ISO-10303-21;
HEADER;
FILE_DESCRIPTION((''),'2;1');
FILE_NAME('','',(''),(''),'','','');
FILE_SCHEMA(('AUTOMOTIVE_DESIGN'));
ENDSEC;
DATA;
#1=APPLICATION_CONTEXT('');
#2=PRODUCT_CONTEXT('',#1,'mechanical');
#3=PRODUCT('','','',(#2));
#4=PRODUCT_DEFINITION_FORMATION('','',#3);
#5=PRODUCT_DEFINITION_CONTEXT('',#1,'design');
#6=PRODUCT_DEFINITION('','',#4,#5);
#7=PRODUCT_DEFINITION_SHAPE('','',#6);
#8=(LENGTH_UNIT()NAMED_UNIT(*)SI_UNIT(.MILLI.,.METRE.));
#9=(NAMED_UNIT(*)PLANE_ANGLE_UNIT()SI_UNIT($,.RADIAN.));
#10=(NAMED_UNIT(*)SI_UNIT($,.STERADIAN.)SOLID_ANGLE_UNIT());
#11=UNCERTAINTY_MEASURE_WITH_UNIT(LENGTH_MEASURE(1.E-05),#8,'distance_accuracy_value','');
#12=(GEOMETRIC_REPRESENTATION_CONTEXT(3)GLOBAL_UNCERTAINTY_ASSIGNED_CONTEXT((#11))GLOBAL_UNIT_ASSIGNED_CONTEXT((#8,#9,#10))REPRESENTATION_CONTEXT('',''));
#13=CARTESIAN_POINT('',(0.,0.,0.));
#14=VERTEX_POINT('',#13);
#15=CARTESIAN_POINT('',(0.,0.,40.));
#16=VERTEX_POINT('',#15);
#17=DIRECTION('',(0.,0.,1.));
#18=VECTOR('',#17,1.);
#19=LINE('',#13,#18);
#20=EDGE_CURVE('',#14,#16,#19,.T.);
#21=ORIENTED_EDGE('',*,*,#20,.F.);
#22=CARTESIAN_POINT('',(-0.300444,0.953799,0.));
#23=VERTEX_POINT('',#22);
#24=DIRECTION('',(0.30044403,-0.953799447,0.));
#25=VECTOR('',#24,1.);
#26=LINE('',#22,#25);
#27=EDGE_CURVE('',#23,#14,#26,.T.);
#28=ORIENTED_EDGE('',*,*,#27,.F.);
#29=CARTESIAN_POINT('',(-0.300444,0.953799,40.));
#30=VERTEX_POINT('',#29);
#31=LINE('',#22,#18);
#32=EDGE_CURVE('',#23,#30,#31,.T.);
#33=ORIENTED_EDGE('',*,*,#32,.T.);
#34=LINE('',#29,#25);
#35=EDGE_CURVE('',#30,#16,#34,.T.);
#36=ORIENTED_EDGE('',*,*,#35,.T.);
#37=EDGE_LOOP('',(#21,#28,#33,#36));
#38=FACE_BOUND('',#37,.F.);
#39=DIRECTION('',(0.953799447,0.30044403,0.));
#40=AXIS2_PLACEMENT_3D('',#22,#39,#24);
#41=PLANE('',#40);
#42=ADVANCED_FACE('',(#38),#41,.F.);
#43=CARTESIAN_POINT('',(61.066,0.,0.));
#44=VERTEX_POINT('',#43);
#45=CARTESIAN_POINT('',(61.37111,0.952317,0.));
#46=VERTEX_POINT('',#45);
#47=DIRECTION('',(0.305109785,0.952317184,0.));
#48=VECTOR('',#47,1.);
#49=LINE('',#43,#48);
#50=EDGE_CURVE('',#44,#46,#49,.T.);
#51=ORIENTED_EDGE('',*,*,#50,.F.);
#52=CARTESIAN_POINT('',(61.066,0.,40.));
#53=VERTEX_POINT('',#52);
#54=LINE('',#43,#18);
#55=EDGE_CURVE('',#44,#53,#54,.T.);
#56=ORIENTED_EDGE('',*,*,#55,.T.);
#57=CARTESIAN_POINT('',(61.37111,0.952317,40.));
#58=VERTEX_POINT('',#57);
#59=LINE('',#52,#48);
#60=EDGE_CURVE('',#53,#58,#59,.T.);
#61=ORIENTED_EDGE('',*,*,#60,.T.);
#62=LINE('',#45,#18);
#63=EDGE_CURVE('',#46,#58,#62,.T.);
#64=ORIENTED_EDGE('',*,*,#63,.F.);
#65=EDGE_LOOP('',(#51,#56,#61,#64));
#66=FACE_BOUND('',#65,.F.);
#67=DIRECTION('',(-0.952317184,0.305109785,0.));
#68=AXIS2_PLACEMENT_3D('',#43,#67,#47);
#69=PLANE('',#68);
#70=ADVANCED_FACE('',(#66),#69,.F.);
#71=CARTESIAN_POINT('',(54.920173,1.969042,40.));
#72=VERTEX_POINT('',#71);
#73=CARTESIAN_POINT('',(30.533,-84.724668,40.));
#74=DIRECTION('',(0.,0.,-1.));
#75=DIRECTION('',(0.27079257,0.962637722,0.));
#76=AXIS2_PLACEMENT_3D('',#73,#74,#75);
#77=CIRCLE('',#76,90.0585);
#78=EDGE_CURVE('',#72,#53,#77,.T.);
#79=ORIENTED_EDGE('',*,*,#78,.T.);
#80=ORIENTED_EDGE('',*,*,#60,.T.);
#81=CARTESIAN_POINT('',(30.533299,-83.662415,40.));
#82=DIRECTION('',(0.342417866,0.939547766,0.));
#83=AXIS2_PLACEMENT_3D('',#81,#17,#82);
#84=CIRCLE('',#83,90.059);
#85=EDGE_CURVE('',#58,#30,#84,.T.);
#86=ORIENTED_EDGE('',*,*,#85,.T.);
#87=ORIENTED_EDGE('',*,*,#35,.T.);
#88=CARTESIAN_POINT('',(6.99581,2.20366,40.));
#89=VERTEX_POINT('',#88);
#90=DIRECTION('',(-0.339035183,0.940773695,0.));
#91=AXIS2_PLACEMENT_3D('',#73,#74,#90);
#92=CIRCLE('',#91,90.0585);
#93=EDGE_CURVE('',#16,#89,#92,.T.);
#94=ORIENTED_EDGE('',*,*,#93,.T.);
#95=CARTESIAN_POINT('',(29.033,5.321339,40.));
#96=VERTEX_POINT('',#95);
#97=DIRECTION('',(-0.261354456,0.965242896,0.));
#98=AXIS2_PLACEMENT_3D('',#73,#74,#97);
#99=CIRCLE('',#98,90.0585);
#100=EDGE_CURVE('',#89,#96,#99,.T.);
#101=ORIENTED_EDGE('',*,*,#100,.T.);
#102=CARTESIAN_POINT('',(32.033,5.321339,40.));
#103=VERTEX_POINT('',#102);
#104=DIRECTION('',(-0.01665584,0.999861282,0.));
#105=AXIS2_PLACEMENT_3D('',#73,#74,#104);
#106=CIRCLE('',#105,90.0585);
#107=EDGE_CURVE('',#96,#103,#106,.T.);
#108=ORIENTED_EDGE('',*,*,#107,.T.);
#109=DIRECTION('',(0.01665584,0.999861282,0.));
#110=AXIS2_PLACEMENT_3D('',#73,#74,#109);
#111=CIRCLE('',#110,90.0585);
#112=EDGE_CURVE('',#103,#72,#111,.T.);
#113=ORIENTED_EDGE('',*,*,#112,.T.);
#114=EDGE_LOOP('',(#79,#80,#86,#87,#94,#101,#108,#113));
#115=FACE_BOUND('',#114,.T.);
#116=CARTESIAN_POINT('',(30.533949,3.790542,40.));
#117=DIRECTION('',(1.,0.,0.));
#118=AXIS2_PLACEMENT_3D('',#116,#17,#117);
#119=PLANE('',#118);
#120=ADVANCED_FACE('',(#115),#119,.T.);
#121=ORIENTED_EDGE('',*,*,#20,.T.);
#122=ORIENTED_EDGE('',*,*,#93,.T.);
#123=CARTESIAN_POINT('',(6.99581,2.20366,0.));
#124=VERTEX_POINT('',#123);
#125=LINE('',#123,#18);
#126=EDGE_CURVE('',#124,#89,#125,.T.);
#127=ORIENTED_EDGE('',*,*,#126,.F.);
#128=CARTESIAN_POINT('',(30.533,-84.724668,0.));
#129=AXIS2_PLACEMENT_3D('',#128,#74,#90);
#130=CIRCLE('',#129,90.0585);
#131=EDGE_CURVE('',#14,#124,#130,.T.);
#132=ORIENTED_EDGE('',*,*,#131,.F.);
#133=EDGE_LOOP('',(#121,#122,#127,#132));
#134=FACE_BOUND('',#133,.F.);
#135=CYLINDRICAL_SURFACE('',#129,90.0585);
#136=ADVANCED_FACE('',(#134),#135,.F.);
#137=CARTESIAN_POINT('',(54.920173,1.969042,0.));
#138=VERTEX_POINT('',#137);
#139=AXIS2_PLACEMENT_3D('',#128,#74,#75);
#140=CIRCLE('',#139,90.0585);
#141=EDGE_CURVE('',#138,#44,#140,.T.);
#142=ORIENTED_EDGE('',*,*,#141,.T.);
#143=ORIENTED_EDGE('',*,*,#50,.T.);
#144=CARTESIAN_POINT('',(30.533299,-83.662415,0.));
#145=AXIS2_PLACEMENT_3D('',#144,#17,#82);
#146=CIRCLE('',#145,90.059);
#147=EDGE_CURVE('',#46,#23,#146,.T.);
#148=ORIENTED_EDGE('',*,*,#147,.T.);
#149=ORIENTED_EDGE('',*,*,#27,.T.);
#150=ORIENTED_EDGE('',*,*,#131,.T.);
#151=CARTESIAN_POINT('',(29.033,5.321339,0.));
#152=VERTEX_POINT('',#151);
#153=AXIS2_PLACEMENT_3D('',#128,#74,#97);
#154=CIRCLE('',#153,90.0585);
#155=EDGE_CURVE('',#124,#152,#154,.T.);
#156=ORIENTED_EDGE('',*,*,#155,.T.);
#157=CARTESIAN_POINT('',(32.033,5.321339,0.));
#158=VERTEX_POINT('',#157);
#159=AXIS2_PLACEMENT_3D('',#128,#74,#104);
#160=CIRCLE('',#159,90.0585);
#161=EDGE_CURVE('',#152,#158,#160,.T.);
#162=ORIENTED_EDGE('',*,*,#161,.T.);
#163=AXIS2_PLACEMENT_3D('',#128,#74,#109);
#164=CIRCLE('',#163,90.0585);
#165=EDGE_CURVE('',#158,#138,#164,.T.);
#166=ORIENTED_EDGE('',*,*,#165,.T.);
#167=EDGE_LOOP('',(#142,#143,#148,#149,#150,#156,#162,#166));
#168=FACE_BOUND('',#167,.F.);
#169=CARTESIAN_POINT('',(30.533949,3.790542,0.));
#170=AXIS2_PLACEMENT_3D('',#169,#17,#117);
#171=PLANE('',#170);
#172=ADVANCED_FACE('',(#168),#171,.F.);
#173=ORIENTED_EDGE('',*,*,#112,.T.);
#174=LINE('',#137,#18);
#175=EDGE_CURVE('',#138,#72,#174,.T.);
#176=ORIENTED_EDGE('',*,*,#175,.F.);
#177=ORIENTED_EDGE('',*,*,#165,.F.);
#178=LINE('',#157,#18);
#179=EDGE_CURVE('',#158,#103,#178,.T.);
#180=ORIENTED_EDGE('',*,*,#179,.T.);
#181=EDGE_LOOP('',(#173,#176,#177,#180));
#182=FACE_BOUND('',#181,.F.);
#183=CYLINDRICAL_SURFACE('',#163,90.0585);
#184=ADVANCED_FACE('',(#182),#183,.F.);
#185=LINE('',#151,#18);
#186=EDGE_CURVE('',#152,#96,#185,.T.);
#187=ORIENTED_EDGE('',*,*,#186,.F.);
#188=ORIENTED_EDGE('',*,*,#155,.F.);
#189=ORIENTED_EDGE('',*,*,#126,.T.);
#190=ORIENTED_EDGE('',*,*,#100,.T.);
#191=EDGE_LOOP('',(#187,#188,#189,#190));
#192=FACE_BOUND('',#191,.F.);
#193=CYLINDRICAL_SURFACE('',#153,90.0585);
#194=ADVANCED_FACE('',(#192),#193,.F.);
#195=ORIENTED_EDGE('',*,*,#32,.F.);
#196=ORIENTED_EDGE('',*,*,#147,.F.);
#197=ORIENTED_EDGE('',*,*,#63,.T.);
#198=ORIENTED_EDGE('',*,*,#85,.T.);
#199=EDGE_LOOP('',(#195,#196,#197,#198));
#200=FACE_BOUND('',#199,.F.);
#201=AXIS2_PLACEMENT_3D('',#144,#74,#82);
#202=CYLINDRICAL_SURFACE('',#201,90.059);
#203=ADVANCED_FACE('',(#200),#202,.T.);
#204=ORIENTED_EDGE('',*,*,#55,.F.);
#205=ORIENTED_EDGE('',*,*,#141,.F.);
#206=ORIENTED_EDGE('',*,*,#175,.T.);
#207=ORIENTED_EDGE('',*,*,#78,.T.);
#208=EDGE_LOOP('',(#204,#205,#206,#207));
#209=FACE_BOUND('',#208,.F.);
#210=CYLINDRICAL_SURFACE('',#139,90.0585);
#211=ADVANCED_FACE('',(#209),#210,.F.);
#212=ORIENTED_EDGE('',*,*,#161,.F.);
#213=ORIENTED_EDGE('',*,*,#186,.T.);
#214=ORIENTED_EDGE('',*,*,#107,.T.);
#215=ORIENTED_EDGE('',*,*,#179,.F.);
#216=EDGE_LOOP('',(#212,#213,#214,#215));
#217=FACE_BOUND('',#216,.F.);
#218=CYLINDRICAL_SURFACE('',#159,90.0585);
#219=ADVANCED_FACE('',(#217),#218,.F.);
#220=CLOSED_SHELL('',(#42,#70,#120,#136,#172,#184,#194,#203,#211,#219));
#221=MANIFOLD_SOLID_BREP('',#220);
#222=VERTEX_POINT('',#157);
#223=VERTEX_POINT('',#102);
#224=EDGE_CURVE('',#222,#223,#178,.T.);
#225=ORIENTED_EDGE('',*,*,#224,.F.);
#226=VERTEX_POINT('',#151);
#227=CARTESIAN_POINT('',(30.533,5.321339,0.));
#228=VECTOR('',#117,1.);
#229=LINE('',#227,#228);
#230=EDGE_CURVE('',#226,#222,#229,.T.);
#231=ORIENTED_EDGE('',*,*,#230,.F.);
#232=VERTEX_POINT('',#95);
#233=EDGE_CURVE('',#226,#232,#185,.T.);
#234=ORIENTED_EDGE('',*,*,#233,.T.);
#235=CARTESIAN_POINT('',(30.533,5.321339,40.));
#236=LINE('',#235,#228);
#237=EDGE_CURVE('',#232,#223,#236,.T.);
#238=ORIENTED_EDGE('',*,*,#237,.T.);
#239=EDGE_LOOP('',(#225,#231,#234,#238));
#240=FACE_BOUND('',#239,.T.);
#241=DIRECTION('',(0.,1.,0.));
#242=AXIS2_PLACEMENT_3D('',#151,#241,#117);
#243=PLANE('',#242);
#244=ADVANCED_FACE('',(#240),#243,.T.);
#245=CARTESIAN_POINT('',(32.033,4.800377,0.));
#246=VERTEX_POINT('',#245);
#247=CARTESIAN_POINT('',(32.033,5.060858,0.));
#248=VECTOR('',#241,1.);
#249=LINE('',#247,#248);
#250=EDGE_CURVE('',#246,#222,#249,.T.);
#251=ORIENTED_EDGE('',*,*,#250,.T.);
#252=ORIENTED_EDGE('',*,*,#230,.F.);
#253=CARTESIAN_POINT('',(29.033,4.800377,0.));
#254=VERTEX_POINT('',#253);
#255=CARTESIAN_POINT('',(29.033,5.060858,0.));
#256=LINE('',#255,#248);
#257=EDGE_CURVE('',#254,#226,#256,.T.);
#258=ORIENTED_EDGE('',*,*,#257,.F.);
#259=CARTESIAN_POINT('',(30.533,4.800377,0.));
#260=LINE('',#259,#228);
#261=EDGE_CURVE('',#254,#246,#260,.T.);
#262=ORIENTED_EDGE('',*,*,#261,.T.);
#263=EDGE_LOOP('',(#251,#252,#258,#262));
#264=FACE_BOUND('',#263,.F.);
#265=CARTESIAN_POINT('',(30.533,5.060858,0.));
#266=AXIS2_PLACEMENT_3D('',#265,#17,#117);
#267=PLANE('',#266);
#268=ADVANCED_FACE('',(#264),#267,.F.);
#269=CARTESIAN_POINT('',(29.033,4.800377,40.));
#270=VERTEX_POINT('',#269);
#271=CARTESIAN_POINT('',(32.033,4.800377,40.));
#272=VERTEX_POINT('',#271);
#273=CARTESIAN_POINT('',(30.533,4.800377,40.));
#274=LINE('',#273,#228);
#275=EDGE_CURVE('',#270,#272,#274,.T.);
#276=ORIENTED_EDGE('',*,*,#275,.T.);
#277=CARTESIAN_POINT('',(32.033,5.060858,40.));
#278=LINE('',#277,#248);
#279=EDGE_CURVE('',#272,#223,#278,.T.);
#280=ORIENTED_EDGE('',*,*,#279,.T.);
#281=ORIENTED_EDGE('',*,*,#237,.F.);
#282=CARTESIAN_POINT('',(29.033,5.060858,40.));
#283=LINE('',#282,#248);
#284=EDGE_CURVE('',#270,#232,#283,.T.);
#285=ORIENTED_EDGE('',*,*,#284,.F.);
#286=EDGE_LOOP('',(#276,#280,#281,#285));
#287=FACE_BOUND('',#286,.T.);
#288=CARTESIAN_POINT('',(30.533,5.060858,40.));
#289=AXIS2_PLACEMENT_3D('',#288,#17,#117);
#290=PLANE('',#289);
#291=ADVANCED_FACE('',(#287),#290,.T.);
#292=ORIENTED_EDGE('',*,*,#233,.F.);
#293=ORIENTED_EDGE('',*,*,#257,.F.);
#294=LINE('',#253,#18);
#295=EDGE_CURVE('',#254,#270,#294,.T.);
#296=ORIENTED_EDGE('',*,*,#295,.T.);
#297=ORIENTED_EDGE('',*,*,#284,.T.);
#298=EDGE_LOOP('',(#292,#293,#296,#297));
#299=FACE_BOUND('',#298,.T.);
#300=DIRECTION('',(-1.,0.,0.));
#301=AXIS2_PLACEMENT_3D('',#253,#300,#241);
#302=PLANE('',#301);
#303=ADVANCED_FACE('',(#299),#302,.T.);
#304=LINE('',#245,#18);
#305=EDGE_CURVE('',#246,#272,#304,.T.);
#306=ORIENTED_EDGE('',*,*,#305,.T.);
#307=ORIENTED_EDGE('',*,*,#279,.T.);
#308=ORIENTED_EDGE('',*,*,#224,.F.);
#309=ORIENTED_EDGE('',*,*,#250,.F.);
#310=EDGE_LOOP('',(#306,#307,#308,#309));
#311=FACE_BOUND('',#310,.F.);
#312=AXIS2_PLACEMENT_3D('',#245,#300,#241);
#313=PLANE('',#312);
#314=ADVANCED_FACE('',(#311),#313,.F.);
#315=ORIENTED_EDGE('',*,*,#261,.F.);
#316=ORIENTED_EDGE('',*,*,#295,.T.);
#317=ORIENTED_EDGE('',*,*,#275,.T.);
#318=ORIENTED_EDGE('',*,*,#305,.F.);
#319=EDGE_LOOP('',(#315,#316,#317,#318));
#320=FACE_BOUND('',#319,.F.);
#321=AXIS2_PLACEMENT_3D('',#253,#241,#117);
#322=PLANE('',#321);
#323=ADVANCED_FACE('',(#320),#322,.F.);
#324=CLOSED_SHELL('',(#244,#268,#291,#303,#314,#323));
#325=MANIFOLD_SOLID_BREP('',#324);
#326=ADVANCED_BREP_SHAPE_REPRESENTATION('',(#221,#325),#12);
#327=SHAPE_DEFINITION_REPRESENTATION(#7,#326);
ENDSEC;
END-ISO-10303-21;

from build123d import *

# Parameters (mm, degrees)
F1_DEPTH = 40
F0_W     = 3
F0_H     = 0.5209621557


with BuildPart() as f1:
    # F0 (on Top) → F1 (new body)
    with BuildSketch(Plane.XY):
        with BuildLine():
            Line((-0.3004440295, 0.953799447), (0, 0))
            ThreePointArc((0, 0), (3.4754613655, 1.1730797017), (6.9958097623, 2.2036595654))
            ThreePointArc((6.9958097623, 2.2036595654), (17.9177233195, 4.4458890959), (29.033, 5.3213394566))
            ThreePointArc((29.033, 5.3213394566), (30.533, 5.3338322034), (32.033, 5.3213394566))
            ThreePointArc((32.033, 5.3213394566), (43.5846628265, 4.3830620572), (54.9201726645, 1.9690415004))
            ThreePointArc((54.9201726645, 1.9690415004), (58.0107295729, 1.0395893258), (61.066, 0))
            Line((61.066, 0), (61.371109785, 0.9523171841))
            ThreePointArc((61.371109785, 0.9523171841), (30.5354637118, 6.3965848887), (-0.3004440295, 0.953799447))
        make_face()
    extrude(amount=F1_DEPTH)


with BuildPart() as f1b:
    # F0 (on Top) → F1, piece 2 (new body)
    with BuildSketch(Plane.XY):
        with Locations((30.533, 5.0608583788)):
            Rectangle(F0_W, F0_H)
    extrude(amount=F1_DEPTH)


solid = Compound([f1.part, f1b.part])
